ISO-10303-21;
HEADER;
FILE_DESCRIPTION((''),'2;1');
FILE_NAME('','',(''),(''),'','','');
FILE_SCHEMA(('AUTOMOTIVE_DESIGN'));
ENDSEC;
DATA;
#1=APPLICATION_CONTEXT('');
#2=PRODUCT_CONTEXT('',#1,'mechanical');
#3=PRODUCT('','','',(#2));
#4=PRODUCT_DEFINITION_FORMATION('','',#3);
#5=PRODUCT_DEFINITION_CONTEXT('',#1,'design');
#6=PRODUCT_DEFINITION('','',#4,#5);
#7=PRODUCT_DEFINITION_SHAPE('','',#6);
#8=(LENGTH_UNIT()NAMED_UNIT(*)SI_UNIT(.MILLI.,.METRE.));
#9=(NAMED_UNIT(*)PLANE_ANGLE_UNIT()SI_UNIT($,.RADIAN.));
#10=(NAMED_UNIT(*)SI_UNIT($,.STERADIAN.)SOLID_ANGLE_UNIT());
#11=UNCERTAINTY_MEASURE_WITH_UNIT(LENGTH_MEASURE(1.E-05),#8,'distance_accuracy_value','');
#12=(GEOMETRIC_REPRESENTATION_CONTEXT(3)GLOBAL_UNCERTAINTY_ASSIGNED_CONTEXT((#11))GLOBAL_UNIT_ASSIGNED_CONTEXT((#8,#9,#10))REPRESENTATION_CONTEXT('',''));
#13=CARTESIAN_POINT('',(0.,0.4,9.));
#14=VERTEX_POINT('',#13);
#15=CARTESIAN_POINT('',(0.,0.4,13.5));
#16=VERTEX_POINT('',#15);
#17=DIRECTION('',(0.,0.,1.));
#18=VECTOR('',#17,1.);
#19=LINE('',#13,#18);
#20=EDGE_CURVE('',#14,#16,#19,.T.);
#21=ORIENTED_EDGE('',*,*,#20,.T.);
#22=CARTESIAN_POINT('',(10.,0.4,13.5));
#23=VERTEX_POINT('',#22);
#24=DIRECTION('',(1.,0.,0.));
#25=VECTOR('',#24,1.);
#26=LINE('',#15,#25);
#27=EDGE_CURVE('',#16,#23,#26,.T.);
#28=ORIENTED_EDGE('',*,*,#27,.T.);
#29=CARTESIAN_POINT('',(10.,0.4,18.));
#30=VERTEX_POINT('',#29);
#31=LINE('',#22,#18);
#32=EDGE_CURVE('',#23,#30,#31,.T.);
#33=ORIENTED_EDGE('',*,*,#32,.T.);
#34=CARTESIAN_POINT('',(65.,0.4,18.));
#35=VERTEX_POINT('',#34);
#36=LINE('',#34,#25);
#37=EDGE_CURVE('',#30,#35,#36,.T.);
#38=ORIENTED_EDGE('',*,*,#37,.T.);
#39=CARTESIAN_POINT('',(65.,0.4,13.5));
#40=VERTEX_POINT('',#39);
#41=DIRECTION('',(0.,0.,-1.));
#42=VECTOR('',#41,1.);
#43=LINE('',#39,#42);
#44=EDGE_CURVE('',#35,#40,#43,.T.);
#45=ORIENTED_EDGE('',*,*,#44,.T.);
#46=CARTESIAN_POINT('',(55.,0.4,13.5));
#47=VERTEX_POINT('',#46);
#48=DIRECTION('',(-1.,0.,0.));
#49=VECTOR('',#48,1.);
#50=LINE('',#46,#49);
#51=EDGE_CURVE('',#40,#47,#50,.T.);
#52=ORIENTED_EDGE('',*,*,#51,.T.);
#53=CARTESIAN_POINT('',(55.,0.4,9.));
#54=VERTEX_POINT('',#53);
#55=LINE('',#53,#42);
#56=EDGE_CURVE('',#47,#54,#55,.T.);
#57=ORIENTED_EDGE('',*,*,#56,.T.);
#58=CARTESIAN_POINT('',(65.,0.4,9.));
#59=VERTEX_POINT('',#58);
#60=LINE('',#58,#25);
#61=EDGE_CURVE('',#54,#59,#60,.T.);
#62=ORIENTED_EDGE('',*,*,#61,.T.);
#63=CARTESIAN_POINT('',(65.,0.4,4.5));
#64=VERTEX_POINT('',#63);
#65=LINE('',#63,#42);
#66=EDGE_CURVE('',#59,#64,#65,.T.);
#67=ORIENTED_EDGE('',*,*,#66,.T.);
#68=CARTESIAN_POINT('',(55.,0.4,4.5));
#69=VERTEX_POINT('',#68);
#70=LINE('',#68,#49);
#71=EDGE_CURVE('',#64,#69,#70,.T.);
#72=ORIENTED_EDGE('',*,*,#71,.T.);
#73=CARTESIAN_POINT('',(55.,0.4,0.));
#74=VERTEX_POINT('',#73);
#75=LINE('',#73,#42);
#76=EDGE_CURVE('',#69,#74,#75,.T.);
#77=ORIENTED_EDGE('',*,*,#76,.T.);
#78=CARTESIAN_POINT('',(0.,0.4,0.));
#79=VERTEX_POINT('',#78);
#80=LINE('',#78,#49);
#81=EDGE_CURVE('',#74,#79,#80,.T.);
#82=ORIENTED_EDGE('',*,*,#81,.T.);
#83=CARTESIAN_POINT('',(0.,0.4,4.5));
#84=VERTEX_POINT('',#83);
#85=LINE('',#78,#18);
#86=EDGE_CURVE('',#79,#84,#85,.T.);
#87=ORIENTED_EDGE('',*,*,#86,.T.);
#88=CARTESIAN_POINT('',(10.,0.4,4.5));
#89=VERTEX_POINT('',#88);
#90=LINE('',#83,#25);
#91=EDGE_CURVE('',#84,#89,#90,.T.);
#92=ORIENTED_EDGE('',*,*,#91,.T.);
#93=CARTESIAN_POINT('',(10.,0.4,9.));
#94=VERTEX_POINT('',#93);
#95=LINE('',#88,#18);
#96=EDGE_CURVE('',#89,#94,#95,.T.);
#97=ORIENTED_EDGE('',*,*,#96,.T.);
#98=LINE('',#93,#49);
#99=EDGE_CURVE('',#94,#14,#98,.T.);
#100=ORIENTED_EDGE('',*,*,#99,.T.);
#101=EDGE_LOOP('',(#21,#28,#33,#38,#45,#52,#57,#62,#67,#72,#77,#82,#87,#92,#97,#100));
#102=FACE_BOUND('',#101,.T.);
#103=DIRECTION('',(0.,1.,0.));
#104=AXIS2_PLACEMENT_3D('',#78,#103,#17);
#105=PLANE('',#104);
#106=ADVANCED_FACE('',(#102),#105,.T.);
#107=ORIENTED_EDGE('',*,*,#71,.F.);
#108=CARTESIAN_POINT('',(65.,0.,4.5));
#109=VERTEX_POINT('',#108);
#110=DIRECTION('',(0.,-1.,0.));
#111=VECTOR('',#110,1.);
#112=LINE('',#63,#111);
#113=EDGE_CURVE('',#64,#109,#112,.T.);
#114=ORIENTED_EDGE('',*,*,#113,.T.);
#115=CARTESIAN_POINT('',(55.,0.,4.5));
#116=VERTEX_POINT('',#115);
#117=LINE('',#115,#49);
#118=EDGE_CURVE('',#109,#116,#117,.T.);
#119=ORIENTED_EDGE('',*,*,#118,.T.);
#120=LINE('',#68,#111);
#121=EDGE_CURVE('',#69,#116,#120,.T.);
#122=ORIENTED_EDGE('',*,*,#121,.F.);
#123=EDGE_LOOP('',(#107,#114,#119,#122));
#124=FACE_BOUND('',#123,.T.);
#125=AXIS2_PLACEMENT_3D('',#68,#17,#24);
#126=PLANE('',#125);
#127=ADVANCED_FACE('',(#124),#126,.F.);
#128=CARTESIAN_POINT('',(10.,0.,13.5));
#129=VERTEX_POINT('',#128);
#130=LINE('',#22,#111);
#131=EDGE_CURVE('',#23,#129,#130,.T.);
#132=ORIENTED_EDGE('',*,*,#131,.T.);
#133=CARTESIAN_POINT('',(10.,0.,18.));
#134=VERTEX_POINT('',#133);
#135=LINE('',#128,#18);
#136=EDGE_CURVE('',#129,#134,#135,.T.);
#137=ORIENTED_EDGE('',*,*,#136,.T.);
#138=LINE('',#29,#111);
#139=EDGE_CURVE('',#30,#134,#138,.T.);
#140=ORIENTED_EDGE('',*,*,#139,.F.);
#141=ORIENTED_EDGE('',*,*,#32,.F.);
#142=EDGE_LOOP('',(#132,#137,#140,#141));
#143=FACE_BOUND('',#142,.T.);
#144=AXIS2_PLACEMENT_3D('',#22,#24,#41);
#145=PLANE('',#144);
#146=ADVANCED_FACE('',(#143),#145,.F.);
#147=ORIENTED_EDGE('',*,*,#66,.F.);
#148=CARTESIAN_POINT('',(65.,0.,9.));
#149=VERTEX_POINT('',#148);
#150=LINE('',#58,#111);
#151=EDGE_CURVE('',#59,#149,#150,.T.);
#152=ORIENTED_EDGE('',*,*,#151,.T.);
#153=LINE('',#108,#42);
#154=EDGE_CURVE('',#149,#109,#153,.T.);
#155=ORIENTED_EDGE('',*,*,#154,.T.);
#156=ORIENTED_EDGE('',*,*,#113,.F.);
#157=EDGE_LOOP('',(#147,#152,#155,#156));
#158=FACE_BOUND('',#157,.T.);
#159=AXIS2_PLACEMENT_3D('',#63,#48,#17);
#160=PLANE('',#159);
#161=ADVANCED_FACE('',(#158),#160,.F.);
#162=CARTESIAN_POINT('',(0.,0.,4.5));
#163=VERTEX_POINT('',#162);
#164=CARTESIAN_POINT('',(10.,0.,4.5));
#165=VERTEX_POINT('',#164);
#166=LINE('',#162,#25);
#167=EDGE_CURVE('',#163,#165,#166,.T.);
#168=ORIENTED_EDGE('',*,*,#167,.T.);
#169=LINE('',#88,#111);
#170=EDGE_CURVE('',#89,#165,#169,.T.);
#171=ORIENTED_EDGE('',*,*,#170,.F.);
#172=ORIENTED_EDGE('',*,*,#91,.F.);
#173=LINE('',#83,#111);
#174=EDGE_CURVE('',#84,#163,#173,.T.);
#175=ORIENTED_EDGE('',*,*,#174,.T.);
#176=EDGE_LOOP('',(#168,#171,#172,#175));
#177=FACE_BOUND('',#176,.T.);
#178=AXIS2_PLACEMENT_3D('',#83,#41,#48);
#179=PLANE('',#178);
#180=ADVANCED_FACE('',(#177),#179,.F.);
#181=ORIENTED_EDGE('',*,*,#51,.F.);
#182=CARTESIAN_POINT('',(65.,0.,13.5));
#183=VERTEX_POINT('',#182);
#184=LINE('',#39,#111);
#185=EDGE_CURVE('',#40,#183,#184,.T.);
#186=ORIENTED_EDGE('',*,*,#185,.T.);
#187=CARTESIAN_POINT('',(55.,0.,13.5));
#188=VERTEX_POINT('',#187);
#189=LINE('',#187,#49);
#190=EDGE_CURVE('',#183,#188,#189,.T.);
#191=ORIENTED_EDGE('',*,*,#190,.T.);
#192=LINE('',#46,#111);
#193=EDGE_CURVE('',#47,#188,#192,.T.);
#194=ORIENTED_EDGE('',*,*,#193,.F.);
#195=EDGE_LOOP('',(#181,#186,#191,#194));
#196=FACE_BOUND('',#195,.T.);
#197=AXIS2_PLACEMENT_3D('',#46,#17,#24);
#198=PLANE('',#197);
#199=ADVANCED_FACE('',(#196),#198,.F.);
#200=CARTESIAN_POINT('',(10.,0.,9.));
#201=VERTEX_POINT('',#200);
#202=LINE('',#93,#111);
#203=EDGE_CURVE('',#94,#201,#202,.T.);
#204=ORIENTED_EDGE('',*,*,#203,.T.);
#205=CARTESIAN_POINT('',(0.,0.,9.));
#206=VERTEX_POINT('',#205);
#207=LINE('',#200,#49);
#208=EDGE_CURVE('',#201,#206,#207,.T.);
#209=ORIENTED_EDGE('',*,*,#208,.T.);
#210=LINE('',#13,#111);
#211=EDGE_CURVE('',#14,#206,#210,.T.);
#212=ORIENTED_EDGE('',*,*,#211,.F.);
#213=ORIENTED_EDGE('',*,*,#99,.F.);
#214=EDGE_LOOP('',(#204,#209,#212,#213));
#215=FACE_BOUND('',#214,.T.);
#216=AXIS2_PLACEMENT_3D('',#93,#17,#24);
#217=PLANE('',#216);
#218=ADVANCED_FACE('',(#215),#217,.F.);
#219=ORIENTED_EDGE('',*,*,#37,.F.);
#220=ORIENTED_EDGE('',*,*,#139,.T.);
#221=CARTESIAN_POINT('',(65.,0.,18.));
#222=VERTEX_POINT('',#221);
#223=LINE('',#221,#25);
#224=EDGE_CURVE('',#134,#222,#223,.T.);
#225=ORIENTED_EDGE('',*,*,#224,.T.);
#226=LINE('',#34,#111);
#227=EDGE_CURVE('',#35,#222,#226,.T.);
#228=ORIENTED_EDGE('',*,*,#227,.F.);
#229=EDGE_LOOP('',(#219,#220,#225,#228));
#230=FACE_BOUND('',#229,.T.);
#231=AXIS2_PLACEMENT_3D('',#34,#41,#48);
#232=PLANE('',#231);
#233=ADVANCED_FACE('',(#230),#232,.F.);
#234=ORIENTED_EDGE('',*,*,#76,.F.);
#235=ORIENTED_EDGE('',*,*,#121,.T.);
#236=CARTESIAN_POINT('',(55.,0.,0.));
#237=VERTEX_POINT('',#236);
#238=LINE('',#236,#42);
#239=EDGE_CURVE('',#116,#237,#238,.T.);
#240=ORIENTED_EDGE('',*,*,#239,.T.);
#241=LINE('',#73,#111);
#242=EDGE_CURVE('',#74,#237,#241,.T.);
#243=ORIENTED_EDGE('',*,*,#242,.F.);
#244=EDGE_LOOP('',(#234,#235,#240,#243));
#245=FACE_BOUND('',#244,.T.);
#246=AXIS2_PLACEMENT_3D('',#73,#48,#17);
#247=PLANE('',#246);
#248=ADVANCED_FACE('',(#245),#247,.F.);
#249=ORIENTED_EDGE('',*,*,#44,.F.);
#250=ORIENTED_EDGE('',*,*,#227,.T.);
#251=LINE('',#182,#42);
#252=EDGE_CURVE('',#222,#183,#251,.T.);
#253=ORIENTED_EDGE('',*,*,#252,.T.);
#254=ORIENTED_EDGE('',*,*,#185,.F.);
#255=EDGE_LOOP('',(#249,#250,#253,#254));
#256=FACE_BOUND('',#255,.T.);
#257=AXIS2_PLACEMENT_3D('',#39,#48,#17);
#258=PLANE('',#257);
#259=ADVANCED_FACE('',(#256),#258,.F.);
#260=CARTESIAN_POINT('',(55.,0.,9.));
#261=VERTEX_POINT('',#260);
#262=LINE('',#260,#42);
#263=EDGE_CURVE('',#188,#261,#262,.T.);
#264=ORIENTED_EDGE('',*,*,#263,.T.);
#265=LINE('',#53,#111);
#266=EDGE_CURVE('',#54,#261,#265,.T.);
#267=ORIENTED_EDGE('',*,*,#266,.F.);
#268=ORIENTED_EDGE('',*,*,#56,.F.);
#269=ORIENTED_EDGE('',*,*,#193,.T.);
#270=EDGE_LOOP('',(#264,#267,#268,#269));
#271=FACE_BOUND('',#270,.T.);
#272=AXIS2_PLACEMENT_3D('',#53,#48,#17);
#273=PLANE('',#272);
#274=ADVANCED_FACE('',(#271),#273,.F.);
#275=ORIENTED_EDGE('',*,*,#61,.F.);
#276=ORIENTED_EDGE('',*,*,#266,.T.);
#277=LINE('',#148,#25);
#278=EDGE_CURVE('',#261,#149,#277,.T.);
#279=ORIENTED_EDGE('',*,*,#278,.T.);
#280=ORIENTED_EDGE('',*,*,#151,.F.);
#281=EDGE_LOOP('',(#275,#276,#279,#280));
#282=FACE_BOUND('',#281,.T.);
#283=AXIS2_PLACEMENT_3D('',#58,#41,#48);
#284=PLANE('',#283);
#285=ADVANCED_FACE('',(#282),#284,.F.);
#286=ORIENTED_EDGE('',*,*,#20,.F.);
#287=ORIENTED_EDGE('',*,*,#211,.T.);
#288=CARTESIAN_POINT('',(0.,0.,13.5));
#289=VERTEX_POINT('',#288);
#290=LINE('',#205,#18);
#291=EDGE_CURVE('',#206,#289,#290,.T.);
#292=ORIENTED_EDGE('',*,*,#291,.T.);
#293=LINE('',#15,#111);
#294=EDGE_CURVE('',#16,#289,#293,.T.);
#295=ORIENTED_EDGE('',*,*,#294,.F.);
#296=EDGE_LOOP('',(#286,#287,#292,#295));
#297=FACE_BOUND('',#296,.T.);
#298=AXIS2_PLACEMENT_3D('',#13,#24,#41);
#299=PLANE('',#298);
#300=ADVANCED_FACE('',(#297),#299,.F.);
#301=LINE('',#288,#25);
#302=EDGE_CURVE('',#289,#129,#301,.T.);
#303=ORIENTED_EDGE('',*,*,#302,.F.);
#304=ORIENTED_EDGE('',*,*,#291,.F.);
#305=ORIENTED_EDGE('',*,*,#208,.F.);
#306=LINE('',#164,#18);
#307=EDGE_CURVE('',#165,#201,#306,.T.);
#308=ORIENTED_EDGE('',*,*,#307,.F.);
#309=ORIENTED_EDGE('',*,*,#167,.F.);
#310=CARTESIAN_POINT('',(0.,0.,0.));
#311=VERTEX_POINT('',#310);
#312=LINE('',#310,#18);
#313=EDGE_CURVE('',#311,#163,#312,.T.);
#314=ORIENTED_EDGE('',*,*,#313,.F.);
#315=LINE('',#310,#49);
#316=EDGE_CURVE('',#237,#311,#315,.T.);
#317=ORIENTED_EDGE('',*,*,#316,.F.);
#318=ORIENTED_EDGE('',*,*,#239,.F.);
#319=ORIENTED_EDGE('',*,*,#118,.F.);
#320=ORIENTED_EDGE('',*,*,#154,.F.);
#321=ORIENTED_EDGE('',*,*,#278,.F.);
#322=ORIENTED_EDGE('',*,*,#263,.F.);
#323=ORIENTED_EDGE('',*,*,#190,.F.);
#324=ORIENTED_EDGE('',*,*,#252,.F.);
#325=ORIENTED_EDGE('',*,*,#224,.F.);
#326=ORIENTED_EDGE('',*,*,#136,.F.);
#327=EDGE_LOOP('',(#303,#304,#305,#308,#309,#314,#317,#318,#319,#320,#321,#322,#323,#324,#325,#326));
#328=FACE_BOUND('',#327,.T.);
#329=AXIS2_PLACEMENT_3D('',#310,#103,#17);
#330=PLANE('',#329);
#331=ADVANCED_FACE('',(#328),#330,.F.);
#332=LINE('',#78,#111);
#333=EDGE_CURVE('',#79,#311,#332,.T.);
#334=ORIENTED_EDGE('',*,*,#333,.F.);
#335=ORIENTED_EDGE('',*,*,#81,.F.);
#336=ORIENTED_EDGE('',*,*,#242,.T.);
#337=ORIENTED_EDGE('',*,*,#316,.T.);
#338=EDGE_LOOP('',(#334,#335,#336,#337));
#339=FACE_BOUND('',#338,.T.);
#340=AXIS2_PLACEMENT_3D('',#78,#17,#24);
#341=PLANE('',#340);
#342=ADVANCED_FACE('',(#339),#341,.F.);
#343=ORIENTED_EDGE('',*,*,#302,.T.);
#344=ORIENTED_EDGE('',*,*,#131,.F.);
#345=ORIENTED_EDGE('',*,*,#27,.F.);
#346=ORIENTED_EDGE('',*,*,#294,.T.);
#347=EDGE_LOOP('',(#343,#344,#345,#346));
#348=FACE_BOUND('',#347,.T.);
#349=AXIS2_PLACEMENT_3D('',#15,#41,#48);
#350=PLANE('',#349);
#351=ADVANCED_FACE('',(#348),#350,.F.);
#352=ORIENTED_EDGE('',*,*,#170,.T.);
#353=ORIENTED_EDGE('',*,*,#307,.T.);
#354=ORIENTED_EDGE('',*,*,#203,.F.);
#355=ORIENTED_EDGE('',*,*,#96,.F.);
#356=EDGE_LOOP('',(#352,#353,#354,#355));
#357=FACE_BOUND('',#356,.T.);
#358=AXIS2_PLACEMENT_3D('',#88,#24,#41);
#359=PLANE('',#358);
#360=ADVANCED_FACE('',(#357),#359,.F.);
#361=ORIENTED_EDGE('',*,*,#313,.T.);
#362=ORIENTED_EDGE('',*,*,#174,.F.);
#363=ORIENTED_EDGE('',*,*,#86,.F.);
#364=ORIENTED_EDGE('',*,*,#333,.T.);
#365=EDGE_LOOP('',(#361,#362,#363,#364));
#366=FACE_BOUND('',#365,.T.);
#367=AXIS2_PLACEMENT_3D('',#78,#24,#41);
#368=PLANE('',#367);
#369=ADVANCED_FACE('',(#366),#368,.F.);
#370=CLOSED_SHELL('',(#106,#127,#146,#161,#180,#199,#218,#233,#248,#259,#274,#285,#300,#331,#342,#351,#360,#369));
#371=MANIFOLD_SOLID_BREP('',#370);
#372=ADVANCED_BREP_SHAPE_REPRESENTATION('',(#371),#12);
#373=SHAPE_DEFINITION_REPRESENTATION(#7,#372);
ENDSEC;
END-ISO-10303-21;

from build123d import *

# Parameters (mm, degrees)
BOSS_EXTRUDE1_DEPTH = 0.4


with BuildPart() as part:
    # Sketch1 → Boss-Extrude1 (new body)
    with BuildSketch(Plane(origin=(0, 0, 0), x_dir=(1, 0, 0), z_dir=(0, 1, 0))):
        Polygon((0, 0), (55, 0), (55, -4.5), (65, -4.5), (65, -9), (55, -9), (55, -13.5), (65, -13.5), (65, -18), (10, -18), (10, -13.5), (0, -13.5), (0, -9), (10, -9), (10, -4.5), (0, -4.5), align=None)
    extrude(amount=BOSS_EXTRUDE1_DEPTH)


solid = part.part
